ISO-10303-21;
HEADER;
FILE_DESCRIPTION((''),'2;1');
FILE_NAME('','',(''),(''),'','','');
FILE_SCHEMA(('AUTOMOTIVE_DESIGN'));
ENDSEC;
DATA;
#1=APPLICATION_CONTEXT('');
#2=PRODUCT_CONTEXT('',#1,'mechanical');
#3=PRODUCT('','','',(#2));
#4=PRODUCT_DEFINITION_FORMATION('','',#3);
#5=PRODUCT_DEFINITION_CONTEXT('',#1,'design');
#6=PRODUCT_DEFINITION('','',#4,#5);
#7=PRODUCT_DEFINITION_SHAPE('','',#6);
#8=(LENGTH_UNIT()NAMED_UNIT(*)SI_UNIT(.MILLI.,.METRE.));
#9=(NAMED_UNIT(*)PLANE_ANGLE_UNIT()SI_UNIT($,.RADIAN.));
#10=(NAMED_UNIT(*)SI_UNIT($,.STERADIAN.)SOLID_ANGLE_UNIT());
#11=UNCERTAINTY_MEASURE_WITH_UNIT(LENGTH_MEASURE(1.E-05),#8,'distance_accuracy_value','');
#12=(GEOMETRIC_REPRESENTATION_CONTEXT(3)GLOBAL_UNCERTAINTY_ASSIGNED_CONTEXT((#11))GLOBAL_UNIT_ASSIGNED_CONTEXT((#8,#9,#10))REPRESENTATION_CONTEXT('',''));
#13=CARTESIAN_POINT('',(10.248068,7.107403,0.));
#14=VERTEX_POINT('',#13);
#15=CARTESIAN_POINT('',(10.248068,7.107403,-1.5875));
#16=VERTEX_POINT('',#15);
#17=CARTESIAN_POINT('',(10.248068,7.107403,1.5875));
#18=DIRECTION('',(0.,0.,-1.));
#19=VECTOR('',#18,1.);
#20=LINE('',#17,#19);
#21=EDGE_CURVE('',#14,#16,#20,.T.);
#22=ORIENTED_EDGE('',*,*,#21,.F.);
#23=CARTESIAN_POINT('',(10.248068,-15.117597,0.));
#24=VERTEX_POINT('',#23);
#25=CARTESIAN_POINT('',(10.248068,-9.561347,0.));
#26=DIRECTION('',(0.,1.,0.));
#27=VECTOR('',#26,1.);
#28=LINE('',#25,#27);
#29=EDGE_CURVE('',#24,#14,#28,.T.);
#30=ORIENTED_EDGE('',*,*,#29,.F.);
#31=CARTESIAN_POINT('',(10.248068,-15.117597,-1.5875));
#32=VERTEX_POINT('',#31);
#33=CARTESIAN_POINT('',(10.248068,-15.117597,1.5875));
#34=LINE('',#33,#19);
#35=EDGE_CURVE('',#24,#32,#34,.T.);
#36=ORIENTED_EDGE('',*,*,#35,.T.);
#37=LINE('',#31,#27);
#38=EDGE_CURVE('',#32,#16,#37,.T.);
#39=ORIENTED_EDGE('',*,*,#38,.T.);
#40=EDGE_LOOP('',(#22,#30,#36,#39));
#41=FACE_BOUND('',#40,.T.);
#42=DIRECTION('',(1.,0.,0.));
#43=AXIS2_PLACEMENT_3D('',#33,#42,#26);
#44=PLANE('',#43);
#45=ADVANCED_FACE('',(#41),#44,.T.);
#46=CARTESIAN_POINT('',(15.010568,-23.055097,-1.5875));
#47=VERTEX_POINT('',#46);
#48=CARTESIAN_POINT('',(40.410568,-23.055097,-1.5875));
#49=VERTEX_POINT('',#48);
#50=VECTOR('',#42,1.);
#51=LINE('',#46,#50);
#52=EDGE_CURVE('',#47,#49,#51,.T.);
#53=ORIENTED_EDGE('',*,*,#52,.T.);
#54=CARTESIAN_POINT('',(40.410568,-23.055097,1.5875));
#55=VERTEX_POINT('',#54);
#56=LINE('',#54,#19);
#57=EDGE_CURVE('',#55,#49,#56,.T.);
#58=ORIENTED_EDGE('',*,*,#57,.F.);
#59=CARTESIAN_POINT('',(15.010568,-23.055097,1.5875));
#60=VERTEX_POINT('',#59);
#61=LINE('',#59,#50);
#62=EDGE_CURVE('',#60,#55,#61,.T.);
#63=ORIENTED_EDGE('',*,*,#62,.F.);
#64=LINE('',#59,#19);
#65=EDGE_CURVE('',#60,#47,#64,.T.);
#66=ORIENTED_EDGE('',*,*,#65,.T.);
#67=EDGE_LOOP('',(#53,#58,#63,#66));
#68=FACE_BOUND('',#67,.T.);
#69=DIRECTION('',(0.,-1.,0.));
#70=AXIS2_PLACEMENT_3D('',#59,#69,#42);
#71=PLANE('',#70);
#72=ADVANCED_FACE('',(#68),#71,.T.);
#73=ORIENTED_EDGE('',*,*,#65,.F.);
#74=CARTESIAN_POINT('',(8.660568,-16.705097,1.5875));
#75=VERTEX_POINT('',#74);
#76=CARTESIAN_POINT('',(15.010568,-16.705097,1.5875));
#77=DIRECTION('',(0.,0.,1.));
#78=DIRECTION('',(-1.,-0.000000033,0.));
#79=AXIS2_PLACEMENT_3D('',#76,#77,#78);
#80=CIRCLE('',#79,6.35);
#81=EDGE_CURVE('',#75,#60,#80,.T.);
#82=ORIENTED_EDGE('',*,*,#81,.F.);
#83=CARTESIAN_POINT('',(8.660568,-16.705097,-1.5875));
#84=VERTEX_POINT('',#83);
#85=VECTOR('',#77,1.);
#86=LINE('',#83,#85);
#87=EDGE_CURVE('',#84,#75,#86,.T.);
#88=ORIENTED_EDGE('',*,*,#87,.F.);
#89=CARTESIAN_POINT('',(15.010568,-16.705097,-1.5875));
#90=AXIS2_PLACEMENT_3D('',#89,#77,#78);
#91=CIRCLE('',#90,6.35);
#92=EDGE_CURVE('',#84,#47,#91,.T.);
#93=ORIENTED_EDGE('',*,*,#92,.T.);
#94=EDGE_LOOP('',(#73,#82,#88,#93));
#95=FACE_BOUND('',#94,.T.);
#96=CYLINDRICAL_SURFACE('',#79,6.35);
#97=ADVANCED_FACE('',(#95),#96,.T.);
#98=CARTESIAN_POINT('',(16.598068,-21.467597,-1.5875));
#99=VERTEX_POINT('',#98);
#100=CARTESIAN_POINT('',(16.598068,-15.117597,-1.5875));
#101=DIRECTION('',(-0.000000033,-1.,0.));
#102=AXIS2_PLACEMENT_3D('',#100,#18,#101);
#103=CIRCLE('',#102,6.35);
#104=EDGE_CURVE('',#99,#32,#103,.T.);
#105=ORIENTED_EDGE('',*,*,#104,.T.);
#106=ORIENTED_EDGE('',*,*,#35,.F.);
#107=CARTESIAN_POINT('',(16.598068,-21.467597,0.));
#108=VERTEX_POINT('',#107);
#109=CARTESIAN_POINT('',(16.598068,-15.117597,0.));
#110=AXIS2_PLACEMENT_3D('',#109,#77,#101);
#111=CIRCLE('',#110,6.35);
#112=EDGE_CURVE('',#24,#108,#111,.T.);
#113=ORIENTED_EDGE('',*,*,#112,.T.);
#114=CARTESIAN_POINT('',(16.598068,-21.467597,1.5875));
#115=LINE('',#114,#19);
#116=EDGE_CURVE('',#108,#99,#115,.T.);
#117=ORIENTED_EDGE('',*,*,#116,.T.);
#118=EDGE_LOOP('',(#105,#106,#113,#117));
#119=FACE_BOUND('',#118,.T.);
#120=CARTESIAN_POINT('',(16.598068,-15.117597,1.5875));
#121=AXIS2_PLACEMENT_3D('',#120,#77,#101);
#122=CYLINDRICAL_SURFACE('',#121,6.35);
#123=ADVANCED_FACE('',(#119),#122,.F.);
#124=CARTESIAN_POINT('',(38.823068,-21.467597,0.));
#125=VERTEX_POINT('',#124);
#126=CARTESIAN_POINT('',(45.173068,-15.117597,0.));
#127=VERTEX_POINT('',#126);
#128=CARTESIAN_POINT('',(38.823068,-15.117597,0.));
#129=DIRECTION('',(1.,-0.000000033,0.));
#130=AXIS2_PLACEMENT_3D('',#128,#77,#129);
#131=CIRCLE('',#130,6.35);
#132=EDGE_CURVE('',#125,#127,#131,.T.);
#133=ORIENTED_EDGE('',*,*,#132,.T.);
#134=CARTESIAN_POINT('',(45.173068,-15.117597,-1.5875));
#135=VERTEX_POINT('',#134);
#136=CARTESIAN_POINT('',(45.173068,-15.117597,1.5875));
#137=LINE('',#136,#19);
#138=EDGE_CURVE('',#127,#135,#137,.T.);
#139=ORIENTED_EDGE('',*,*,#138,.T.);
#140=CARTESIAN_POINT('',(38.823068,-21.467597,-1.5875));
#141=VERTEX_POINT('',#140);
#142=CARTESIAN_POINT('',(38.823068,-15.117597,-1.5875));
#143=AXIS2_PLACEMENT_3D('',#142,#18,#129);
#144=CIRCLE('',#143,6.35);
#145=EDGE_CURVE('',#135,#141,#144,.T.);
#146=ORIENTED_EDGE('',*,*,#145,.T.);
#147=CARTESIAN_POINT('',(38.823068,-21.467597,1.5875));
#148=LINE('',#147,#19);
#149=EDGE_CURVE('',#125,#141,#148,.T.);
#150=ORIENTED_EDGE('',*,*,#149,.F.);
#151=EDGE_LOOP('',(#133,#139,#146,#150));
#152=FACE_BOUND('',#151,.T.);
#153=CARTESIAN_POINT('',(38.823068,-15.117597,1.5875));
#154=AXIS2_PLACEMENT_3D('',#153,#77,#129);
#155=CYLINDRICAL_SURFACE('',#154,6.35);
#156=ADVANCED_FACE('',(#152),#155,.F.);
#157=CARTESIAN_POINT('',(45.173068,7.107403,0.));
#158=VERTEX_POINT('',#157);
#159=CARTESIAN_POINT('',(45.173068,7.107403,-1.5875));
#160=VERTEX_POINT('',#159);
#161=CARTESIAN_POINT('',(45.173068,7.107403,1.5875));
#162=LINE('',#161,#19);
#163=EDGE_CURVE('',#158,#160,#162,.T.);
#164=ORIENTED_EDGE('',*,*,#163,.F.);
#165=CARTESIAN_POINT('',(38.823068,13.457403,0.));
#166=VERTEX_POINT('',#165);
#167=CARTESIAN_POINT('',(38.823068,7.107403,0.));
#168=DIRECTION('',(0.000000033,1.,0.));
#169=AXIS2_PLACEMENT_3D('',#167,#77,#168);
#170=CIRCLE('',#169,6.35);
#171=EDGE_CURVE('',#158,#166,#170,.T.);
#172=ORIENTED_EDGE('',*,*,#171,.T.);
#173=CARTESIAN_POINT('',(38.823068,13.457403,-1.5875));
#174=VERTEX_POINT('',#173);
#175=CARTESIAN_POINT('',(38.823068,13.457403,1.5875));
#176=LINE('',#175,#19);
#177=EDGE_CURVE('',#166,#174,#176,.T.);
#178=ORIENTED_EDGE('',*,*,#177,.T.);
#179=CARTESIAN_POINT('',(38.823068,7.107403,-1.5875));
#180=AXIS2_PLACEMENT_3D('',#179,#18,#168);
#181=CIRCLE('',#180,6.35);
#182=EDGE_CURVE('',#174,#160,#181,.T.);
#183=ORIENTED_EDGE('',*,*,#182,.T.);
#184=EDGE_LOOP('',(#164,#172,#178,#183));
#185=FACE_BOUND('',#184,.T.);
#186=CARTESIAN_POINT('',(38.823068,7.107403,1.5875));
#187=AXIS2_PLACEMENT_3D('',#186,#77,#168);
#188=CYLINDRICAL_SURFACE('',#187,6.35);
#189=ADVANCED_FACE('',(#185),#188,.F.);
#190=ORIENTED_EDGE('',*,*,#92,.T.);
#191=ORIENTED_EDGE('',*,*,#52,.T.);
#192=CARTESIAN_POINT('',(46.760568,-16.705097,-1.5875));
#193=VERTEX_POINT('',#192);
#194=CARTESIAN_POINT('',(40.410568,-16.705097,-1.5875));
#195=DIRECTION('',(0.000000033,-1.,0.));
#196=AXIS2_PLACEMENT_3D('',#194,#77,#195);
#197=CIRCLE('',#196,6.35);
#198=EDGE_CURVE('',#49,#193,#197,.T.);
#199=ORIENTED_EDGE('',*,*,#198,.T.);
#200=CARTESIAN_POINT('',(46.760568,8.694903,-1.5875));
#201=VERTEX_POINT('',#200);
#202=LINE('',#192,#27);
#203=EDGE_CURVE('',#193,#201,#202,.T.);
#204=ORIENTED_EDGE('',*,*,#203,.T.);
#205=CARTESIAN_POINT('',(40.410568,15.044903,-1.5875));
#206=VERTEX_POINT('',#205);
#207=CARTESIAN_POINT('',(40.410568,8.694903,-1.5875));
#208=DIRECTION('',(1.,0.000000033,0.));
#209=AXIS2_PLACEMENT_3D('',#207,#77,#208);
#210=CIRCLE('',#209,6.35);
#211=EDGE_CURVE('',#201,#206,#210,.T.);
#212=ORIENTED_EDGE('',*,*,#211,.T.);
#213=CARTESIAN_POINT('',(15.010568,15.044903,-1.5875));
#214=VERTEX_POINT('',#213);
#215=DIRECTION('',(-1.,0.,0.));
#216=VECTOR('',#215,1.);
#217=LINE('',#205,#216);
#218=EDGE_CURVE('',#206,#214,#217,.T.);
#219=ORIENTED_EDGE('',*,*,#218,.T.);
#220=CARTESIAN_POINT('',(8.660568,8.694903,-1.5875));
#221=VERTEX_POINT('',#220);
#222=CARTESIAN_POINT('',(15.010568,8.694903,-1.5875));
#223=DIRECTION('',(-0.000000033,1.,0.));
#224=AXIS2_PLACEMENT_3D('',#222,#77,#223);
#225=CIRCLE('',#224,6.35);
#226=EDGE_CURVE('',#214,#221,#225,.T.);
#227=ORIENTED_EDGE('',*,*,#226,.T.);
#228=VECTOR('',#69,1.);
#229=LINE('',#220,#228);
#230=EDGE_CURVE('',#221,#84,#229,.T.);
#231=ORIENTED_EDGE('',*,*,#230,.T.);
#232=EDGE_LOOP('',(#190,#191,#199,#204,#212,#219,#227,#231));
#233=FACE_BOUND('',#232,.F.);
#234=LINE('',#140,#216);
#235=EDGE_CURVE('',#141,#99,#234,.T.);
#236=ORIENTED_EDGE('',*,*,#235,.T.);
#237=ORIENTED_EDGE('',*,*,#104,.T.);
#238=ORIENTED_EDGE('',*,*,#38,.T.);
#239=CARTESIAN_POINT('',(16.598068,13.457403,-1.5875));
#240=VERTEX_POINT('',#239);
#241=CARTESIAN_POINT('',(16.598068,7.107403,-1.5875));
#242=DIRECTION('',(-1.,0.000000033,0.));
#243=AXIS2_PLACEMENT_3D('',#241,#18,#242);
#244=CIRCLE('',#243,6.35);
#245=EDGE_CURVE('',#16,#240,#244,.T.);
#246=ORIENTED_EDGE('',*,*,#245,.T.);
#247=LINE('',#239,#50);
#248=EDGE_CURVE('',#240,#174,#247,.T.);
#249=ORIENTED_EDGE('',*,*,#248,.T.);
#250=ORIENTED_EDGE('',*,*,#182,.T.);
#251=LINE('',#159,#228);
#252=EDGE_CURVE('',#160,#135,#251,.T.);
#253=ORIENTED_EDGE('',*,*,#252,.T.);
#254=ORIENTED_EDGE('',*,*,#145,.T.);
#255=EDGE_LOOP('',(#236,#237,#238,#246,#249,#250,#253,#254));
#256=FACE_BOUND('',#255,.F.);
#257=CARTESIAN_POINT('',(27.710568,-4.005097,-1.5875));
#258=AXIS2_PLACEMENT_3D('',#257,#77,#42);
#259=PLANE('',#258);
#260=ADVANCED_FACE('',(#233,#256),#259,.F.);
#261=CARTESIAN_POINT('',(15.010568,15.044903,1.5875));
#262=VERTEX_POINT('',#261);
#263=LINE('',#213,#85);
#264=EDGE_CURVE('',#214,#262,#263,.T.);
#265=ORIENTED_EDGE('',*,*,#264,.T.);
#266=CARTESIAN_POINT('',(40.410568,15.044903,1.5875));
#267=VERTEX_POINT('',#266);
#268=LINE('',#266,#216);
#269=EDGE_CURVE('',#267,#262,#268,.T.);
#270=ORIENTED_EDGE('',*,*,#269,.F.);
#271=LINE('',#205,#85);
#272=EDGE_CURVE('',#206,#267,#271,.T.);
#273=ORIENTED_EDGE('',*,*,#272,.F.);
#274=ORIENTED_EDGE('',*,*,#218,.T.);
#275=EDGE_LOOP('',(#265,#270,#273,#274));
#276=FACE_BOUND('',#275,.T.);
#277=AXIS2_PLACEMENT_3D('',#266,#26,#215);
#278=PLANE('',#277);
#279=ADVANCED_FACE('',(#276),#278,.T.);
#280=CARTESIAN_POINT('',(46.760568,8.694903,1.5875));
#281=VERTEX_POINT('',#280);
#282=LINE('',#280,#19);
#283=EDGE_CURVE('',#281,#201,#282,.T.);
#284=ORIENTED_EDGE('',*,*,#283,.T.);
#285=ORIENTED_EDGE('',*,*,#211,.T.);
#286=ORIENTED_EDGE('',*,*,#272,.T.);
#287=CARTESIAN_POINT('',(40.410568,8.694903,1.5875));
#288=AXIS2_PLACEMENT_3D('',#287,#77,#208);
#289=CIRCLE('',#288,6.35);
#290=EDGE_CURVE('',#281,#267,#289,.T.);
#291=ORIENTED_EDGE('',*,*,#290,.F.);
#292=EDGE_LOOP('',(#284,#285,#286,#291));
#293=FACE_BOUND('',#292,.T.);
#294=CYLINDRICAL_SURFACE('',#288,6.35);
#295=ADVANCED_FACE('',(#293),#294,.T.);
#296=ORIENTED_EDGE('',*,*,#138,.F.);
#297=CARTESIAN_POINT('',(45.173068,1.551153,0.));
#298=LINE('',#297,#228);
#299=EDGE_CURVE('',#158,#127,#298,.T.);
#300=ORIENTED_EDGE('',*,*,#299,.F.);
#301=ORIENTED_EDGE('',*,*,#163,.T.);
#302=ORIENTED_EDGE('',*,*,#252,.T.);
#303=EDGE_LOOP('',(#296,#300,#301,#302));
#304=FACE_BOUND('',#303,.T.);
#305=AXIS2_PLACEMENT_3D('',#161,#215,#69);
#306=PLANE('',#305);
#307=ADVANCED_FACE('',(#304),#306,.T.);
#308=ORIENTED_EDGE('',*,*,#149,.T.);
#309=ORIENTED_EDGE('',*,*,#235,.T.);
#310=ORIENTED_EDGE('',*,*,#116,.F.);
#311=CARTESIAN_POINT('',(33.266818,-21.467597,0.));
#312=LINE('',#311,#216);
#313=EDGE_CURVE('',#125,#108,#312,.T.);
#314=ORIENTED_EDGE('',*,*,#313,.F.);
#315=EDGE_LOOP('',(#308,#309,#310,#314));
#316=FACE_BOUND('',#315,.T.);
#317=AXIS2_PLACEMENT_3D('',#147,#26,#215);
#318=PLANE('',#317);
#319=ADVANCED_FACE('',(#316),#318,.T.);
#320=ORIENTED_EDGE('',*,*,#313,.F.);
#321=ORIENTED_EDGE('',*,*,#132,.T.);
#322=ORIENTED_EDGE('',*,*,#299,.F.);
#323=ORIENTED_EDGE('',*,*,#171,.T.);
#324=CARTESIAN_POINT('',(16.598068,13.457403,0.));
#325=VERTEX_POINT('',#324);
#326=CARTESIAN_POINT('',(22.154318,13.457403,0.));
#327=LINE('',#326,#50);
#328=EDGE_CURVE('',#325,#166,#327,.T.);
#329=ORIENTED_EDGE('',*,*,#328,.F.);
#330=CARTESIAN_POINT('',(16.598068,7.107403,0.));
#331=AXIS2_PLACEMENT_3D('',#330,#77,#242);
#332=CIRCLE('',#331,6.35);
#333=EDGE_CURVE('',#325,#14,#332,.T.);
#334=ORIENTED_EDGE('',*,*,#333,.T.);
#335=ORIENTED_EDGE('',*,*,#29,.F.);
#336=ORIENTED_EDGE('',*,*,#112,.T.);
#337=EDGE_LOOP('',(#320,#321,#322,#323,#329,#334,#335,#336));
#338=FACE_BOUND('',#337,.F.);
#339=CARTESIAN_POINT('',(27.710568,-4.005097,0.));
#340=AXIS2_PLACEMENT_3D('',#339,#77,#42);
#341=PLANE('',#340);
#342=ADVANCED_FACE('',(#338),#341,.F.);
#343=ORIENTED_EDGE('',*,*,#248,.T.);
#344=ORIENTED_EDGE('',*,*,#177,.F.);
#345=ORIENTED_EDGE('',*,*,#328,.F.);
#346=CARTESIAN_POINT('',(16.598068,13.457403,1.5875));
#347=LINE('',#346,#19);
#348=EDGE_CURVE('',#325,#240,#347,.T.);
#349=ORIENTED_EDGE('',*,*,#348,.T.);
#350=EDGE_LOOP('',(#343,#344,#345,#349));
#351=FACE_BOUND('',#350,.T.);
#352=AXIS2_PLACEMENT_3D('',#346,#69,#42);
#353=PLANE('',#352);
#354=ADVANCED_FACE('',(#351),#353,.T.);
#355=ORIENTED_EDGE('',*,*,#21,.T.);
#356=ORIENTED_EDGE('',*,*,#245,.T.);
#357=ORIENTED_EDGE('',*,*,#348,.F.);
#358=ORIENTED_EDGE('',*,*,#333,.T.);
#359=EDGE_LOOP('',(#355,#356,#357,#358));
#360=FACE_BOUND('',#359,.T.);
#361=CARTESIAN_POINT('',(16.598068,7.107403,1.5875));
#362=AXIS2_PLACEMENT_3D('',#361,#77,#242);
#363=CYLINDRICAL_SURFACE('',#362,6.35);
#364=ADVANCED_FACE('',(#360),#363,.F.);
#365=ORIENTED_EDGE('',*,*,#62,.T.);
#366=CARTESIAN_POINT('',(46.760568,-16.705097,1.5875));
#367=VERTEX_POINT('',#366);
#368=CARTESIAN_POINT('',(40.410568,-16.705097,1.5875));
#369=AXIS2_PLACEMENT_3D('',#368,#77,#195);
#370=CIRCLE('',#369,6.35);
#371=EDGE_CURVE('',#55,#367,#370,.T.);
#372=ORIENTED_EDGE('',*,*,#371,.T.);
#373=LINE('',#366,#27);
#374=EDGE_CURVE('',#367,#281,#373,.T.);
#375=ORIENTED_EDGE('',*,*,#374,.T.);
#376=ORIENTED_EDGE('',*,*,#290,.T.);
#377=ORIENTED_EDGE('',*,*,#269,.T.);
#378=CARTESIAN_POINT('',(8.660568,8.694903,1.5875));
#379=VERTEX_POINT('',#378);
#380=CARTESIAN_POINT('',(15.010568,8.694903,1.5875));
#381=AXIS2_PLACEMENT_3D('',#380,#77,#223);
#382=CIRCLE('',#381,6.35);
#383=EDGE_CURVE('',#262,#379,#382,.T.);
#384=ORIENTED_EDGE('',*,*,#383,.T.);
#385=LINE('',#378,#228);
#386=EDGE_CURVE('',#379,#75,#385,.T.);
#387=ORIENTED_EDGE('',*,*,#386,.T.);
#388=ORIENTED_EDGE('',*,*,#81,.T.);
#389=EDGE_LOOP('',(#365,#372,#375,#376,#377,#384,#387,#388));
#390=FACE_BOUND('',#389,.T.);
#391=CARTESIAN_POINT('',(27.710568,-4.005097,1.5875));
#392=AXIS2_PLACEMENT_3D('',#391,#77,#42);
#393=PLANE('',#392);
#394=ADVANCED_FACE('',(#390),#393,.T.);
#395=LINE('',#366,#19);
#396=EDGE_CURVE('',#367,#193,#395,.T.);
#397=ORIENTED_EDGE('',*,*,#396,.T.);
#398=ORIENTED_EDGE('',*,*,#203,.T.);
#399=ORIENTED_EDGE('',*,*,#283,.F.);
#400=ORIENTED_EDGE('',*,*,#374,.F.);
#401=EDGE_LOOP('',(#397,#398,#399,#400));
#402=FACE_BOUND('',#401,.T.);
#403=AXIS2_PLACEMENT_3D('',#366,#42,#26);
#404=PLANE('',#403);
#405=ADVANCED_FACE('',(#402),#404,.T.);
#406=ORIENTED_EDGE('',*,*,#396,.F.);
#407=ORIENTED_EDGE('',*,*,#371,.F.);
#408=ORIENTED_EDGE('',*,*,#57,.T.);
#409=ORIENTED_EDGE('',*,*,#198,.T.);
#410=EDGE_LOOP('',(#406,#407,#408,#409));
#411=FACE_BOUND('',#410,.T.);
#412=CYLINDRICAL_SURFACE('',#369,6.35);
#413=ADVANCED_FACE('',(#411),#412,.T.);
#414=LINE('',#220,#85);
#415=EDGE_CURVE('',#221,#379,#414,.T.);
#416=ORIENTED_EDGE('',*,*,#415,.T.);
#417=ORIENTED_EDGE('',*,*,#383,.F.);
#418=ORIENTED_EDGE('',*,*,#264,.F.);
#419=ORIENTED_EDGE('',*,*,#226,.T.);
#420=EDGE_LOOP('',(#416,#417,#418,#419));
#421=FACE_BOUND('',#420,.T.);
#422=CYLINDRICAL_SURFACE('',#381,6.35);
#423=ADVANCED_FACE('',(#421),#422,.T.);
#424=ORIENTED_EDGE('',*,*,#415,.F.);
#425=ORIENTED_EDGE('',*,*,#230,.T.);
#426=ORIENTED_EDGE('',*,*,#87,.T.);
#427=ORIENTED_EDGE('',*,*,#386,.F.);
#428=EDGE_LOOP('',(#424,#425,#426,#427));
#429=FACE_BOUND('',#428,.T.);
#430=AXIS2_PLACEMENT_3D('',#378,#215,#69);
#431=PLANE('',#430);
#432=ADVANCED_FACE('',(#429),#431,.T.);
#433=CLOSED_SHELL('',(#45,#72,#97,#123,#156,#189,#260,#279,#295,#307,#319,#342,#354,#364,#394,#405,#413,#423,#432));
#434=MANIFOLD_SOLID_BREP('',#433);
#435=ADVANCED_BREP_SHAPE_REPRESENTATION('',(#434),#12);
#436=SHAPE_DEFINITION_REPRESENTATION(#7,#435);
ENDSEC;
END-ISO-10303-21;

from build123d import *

# Parameters (mm, degrees)
F1_DEPTH = 1.5875
F3_DEPTH = 3.175


with BuildPart() as f1:
    # F0 (on Top) → F1 (new body)
    with BuildSketch(Plane.XY):
        with BuildLine():
            Line((40.410568, 15.044903), (15.010568, 15.044903))
            ThreePointArc((15.010568, 15.044903), (10.52044, 13.185031), (8.660568, 8.694903))
            Line((8.660568, 8.694903), (8.660568, -16.705097))
            ThreePointArc((8.660568, -16.705097), (10.52044, -21.195225), (15.010568, -23.055097))
            Line((15.010568, -23.055097), (40.410568, -23.055097))
            ThreePointArc((40.410568, -23.055097), (44.900696, -21.195225), (46.760568, -16.705097))
            Line((46.760568, -16.705097), (46.760568, 8.694903))
            ThreePointArc((46.760568, 8.694903), (44.900696, 13.185031), (40.410568, 15.044903))
        make_face()
    extrude(amount=F1_DEPTH)

    # F2 (on face) → F3 (join)
    with BuildSketch(Plane.XY.offset(1.5875)):
        with BuildLine():
            ThreePointArc((46.760568, 8.694903), (44.900696, 13.185031), (40.410568, 15.044903))
            Line((40.410568, 15.044903), (15.010568, 15.044903))
            ThreePointArc((15.010568, 15.044903), (10.52044, 13.185031), (8.660568, 8.694903))
            Line((8.660568, 8.694903), (8.660568, -16.705097))
            ThreePointArc((8.660568, -16.705097), (10.52044, -21.195225), (15.010568, -23.055097))
            Line((15.010568, -23.055097), (40.410568, -23.055097))
            ThreePointArc((40.410568, -23.055097), (44.900696, -21.195225), (46.760568, -16.705097))
            Line((46.760568, -16.705097), (46.760568, 8.694903))
        make_face()
        with BuildLine():
            ThreePointArc((10.248068, 7.107403), (12.10794, 11.597531), (16.598068, 13.457403))
            Line((16.598068, 13.457403), (38.823068, 13.457403))
            ThreePointArc((38.823068, 13.457403), (43.313196, 11.597531), (45.173068, 7.107403))
            Line((45.173068, 7.107403), (45.173068, -15.117597))
            ThreePointArc((45.173068, -15.117597), (43.313196, -19.607725), (38.823068, -21.467597))
            Line((38.823068, -21.467597), (16.598068, -21.467597))
            ThreePointArc((16.598068, -21.467597), (12.10794, -19.607725), (10.248068, -15.117597))
            Line((10.248068, -15.117597), (10.248068, 7.107403))
        make_face(mode=Mode.SUBTRACT)
    extrude(amount=-F3_DEPTH)


solid = f1.part
